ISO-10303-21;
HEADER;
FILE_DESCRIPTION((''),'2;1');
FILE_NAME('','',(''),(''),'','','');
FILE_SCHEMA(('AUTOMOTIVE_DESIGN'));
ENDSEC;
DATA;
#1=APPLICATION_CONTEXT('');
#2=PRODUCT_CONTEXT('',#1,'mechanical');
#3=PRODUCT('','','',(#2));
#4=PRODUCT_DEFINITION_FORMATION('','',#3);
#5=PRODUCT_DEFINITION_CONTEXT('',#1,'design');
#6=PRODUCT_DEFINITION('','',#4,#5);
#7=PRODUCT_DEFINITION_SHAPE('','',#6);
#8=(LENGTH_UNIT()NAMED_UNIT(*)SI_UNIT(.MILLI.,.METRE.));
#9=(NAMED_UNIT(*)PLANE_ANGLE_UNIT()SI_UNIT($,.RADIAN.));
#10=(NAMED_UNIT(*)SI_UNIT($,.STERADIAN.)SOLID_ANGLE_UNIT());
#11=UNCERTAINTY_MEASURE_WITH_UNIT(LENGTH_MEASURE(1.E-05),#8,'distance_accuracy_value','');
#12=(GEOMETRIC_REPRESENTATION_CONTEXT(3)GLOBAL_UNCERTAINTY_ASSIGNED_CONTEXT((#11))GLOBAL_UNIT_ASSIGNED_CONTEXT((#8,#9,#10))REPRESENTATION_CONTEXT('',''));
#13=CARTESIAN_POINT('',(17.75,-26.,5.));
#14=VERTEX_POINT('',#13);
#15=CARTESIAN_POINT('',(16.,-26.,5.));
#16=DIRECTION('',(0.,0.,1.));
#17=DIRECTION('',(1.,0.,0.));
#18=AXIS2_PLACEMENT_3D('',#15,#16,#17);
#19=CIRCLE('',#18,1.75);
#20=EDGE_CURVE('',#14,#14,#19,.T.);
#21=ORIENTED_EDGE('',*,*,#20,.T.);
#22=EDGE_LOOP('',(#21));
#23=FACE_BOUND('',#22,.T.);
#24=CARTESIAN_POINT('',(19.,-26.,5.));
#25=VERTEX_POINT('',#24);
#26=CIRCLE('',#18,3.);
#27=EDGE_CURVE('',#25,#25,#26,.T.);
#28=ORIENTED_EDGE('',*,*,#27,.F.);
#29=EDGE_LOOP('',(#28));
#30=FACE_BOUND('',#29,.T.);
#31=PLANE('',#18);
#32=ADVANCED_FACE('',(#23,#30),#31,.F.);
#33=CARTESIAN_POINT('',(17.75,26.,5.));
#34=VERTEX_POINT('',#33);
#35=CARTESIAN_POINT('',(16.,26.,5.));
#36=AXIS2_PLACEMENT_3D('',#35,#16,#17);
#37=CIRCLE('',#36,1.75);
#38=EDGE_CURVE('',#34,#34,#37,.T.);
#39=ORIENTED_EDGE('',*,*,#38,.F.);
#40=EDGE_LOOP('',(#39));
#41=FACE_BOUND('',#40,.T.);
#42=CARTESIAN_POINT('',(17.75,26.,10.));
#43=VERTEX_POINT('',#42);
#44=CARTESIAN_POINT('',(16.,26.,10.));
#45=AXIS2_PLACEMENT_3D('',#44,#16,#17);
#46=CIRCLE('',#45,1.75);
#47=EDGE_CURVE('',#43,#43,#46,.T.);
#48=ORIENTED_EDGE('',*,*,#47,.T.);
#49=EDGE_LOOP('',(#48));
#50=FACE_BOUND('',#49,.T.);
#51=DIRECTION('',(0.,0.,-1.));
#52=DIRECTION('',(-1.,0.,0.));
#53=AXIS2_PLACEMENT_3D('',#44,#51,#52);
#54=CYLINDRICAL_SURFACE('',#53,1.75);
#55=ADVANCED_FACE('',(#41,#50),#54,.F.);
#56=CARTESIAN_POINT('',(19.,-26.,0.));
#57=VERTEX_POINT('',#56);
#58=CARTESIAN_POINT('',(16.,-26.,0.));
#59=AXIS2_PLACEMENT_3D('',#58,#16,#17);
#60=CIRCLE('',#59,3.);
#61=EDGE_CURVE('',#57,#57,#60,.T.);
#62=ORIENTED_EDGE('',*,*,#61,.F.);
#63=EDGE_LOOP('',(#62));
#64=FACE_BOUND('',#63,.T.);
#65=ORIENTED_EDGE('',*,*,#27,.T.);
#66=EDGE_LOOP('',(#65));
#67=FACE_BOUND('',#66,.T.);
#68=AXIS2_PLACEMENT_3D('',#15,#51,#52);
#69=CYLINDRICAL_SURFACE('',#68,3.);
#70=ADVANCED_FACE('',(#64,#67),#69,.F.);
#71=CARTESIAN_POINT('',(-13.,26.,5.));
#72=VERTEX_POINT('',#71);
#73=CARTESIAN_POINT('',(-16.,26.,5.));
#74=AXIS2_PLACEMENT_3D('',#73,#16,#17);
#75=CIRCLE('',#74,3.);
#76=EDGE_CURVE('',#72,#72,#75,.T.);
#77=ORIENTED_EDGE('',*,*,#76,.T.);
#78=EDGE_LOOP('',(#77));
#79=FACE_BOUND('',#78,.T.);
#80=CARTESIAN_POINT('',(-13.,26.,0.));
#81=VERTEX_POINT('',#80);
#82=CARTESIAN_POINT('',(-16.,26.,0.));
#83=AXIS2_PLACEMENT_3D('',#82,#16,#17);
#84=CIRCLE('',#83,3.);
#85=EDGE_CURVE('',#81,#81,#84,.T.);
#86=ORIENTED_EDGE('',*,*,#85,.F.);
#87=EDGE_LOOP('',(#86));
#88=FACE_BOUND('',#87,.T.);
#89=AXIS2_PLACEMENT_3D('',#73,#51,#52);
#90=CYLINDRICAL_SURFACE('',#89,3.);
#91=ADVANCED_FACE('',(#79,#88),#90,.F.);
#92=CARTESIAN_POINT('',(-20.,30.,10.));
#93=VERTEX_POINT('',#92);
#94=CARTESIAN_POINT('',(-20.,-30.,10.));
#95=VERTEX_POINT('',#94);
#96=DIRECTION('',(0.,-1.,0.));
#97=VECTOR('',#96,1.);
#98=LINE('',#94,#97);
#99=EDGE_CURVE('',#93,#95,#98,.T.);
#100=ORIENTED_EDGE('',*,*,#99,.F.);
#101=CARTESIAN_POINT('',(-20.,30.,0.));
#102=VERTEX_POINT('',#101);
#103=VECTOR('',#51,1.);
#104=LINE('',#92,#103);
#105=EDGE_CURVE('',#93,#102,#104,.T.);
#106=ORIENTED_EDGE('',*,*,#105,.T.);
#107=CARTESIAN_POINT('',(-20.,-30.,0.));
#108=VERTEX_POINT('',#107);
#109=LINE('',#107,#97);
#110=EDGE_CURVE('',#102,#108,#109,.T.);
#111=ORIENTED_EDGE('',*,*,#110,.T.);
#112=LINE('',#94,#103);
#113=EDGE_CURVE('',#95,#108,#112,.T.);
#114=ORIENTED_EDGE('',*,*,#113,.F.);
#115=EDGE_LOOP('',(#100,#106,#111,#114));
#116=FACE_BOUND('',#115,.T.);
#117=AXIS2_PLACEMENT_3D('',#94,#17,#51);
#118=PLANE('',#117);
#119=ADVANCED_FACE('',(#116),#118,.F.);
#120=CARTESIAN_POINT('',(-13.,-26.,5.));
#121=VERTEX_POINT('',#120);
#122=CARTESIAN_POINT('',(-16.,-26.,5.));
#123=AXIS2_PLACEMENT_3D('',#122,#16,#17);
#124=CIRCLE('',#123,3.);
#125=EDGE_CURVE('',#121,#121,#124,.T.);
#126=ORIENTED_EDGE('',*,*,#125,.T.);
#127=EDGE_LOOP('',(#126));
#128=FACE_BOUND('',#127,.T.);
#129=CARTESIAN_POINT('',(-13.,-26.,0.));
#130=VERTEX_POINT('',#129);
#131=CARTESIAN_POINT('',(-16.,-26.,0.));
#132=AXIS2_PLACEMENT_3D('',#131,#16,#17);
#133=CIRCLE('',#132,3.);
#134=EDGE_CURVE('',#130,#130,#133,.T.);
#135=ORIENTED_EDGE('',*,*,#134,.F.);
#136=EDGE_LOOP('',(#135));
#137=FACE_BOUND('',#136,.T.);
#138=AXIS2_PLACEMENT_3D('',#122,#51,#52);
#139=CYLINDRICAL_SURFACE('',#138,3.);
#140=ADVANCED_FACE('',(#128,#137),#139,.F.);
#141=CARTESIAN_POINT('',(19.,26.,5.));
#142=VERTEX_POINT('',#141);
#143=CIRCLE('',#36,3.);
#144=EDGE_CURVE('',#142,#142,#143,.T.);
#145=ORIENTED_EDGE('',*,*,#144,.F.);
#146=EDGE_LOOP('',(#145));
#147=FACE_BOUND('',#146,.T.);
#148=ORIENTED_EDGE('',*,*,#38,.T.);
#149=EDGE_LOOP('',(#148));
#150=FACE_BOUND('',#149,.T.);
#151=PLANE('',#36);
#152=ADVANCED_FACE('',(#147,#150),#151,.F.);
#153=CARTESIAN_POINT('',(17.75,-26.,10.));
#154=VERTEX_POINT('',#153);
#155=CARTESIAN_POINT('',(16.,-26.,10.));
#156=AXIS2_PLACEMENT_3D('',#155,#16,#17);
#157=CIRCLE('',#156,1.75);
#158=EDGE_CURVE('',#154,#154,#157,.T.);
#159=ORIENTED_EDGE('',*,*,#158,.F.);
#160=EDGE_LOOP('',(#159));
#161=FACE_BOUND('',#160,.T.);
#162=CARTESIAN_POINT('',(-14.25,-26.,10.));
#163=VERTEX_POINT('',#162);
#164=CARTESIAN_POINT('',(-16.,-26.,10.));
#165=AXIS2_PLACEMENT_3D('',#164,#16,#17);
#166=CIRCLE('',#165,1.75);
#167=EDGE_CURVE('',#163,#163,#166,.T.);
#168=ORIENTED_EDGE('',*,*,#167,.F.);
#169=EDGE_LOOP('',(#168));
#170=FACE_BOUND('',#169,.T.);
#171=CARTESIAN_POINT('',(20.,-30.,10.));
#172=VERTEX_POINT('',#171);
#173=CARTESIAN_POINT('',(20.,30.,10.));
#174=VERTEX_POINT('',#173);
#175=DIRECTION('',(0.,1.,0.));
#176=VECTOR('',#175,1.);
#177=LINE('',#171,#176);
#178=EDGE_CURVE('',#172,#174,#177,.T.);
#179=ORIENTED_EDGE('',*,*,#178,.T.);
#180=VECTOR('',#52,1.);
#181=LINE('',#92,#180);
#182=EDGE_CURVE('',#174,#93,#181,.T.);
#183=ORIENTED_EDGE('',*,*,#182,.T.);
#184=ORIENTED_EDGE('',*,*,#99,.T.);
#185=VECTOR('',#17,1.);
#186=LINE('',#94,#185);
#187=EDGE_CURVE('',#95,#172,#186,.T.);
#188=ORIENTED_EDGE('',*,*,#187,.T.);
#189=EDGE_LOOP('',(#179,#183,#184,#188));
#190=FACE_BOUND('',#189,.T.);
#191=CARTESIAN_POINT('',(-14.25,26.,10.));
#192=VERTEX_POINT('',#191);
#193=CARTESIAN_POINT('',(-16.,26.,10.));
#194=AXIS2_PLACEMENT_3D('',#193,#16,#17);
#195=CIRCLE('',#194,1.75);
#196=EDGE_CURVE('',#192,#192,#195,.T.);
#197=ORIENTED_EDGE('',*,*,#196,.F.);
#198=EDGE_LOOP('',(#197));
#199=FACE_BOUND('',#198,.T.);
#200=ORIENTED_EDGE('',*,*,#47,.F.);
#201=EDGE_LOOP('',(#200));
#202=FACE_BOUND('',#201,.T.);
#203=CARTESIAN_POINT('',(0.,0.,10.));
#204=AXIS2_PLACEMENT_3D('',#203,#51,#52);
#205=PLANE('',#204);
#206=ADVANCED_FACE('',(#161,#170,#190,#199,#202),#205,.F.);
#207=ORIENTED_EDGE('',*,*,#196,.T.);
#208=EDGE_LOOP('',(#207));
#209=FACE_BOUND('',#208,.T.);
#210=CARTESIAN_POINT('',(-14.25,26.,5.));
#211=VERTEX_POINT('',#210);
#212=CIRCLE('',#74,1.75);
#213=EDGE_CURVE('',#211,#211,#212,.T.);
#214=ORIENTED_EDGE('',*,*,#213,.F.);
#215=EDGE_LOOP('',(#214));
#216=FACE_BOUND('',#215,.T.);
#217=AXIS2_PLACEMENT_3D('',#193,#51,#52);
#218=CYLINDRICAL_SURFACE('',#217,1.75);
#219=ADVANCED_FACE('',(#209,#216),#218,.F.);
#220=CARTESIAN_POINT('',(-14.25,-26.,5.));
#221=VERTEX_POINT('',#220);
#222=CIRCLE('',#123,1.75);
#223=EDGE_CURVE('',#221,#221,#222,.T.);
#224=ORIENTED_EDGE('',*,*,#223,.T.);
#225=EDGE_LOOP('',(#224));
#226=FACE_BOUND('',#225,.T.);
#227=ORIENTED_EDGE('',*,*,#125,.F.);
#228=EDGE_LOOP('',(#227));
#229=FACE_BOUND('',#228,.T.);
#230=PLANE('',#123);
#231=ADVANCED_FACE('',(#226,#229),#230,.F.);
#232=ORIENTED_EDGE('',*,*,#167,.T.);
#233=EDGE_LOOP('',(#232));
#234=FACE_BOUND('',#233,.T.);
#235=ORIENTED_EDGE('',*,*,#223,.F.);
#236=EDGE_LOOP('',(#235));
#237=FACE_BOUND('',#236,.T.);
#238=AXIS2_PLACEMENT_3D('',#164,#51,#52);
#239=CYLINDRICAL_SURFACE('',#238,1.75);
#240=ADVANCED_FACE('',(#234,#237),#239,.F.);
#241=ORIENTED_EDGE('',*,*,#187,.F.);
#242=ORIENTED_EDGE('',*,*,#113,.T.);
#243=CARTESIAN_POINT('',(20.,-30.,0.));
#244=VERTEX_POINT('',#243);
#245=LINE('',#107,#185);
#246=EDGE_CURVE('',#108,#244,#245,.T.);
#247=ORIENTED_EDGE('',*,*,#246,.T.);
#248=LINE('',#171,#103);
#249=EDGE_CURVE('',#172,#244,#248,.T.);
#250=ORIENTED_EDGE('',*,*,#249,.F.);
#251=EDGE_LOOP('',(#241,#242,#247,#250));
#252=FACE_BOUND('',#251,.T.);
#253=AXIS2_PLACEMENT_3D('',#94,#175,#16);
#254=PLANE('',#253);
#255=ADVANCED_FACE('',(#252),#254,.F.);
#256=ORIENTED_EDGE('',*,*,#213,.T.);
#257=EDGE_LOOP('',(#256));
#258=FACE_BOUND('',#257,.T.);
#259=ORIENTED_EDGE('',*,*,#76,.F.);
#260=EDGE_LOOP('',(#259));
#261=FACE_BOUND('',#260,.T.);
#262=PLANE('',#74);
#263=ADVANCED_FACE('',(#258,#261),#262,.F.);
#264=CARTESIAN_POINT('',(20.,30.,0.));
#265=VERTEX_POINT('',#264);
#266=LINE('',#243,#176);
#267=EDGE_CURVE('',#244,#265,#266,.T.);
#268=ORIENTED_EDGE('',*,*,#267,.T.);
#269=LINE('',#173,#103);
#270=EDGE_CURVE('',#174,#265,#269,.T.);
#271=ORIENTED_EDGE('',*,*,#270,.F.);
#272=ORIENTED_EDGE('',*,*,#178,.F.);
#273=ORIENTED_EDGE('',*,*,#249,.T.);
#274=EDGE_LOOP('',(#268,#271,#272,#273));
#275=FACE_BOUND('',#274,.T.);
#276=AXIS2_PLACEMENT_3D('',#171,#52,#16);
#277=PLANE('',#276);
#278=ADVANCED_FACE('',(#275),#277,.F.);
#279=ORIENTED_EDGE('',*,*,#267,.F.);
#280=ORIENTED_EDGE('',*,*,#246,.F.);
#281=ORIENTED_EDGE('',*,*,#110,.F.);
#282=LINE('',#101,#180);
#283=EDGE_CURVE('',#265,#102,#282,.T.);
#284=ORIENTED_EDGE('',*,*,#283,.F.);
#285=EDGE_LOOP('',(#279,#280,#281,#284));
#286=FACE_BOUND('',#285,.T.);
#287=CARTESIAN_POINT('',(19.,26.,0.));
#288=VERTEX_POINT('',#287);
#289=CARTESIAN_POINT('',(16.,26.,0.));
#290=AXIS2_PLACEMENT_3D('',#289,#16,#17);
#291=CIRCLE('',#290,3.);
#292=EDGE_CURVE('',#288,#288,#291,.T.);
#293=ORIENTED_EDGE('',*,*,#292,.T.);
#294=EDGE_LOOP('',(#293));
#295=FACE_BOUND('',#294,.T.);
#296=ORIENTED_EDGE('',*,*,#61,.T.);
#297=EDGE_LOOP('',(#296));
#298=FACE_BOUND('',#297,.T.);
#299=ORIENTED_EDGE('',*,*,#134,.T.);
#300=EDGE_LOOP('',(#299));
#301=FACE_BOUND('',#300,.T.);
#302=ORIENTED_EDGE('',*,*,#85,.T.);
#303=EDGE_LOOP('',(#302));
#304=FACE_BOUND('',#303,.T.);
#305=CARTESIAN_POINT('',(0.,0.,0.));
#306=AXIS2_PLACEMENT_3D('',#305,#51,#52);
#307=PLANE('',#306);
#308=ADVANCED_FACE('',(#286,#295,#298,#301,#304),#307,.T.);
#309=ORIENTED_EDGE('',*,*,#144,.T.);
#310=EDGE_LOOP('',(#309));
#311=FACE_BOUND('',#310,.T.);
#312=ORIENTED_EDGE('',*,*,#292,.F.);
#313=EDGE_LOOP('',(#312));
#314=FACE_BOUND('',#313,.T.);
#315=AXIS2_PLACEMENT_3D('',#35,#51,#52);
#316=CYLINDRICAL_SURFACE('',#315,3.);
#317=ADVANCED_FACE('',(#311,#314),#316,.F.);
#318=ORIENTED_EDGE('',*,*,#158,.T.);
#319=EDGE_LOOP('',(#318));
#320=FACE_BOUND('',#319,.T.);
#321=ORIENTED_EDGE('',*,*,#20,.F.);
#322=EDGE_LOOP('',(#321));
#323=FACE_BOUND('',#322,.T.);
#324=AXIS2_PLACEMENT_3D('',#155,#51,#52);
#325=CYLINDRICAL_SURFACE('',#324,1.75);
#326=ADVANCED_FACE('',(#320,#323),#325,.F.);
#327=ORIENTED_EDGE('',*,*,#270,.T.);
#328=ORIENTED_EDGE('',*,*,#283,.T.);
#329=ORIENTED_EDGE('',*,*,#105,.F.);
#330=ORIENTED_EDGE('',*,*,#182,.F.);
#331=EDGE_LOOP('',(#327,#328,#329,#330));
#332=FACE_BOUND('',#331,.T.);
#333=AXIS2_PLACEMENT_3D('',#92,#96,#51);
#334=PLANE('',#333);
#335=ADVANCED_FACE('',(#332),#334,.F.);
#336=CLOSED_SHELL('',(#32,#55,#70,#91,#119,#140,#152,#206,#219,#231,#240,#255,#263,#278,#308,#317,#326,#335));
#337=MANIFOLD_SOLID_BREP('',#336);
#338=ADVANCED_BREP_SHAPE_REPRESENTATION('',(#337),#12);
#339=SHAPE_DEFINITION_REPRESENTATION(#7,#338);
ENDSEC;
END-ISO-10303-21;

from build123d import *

# Parameters (mm, degrees)
SKETCH1_W           = 40
SKETCH1_H           = 60
SKETCH1_R           = 1.75
BOSS_EXTRUDE1_DEPTH = 10
SKETCH3_R           = 3
CUT_EXTRUDE1_DEPTH  = 5


with BuildPart() as part:
    # Sketch1 → Boss-Extrude1 (new body)
    with BuildSketch(Plane.XY):
        Rectangle(SKETCH1_W, SKETCH1_H)
        with Locations((-16, 26)):
            Circle(SKETCH1_R, mode=Mode.SUBTRACT)
        with Locations((16, 26)):
            Circle(SKETCH1_R, mode=Mode.SUBTRACT)
        with Locations((16, -26)):
            Circle(SKETCH1_R, mode=Mode.SUBTRACT)
        with Locations((-16, -26)):
            Circle(SKETCH1_R, mode=Mode.SUBTRACT)
    extrude(amount=BOSS_EXTRUDE1_DEPTH)

    # Sketch3 → Cut-Extrude1 (cut)
    with BuildSketch(Plane.XY):
        with Locations((16, 26)):
            Circle(SKETCH3_R)
        with Locations((-16, 26)):
            Circle(SKETCH3_R)
        with Locations((16, -26)):
            Circle(SKETCH3_R)
        with Locations((-16, -26)):
            Circle(SKETCH3_R)
    extrude(amount=CUT_EXTRUDE1_DEPTH, mode=Mode.SUBTRACT)


solid = part.part
